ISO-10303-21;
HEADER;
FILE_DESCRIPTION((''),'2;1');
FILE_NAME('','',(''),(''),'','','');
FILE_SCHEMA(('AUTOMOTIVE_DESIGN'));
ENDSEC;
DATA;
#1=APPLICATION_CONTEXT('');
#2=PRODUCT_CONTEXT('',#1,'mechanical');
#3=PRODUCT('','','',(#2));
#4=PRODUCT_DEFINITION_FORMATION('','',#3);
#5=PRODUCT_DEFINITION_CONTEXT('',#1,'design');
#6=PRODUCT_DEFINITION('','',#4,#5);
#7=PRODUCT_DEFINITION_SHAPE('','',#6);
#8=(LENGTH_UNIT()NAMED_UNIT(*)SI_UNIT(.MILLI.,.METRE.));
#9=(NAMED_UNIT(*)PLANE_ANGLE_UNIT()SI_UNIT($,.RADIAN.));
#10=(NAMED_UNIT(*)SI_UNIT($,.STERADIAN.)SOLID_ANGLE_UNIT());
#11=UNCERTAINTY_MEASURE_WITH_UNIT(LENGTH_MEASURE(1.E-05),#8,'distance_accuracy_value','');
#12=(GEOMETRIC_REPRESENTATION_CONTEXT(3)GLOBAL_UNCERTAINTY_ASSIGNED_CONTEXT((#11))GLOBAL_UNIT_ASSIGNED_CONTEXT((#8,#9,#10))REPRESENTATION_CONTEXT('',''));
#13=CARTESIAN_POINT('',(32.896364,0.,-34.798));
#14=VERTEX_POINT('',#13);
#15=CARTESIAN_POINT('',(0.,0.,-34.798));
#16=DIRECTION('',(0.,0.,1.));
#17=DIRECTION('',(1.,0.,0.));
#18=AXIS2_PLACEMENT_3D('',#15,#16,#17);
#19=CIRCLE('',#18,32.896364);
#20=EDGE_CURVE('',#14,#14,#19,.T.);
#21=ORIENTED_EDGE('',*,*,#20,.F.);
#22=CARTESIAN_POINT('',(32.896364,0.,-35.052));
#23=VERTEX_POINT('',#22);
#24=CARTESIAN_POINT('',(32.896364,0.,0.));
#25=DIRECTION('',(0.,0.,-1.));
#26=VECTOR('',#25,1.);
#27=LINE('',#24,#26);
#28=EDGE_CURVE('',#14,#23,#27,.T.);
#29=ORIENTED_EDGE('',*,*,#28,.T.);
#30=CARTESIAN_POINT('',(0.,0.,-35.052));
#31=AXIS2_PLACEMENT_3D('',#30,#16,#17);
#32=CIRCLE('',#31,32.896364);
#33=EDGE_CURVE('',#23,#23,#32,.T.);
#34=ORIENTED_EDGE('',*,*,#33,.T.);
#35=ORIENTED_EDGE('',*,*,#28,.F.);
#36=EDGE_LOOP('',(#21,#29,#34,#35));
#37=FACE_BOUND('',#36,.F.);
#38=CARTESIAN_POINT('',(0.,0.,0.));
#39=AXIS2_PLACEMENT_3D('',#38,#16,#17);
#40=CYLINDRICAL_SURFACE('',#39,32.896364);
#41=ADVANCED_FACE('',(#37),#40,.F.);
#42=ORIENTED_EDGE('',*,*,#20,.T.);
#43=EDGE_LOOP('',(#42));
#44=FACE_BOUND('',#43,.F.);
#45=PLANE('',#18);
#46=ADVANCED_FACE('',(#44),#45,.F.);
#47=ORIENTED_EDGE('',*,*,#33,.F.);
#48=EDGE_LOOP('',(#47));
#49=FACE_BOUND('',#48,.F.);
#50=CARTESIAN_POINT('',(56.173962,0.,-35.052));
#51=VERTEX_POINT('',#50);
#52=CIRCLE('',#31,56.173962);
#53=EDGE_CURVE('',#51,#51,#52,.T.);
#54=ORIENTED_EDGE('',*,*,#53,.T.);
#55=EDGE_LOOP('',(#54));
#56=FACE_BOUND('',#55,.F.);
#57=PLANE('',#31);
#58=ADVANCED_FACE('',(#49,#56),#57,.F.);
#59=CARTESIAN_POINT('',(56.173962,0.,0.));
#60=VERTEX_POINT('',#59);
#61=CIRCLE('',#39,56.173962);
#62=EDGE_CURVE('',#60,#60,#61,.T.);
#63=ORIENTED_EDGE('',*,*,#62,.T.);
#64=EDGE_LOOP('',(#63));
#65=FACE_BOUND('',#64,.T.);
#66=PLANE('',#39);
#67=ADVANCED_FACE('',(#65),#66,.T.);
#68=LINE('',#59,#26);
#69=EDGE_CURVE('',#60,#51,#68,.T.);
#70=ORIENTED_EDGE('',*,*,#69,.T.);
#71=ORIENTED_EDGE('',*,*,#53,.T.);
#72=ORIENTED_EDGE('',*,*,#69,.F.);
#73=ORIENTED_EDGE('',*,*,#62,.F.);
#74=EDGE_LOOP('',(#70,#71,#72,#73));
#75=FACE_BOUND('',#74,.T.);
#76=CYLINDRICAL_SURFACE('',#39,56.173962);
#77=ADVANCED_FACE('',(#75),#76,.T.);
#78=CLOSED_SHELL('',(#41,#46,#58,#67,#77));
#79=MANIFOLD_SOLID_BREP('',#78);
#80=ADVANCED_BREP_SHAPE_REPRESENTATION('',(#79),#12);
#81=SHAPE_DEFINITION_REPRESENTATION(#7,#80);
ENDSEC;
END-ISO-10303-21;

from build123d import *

# Parameters (mm, degrees)
F0_R     = 56.1739618702
F0_R_2   = 32.8963638887
F1_DEPTH = 35.052
F2_DEPTH = 34.798
F0_R_3   = 4.9490742643
F3_DEPTH = 34.798


with BuildPart() as f1:
    # F0 (on Top) → F1 (new body)
    with BuildSketch(Plane.XY):
        Circle(F0_R)
        Circle(F0_R_2, mode=Mode.SUBTRACT)
    extrude(amount=-F1_DEPTH)

    # F0 (on Top) → F2 (join)
    with BuildSketch(Plane.XY):
        Circle(F0_R_2)
        Polygon((24.0832565908, 15.5113956786), (25.4748910012, -13.1010141742), (1.3916344104, -28.6124098528), (-24.0832565908, -15.5113956786), (-25.4748910012, 13.1010141742), (-1.3916344104, 28.6124098528), align=None, mode=Mode.SUBTRACT)
    extrude(amount=-F2_DEPTH)

    # F0 (on Top) → F3 (join)
    with BuildSketch(Plane.XY):
        Polygon((1.3916344104, -28.6124098528), (25.4748910012, -13.1010141742), (24.0832565908, 15.5113956786), (-1.3916344104, 28.6124098528), (-25.4748910012, 13.1010141742), (-24.0832565908, -15.5113956786), align=None)
        Polygon((24.0832565908, 0), (12.0416282954, -20.8567120135), (-12.0416282954, -20.8567120135), (-24.0832565908, 0), (-12.0416282954, 20.8567120135), (12.0416282954, 20.8567120135), align=None, mode=Mode.SUBTRACT)
        Polygon((-12.0416282954, -20.8567120135), (12.0416282954, -20.8567120135), (24.0832565908, 0), (12.0416282954, 20.8567120135), (-12.0416282954, 20.8567120135), (-24.0832565908, 0), align=None)
        Polygon((16.4439717338, 11.0949333309), (17.8304799848, -8.6934305952), (1.3865082509, -19.7883639261), (-16.4439717338, -11.0949333309), (-17.8304799848, 8.6934305952), (-1.3865082509, 19.7883639261), align=None, mode=Mode.SUBTRACT)
        Polygon((1.3865082509, -19.7883639261), (17.8304799848, -8.6934305952), (16.4439717338, 11.0949333309), (-1.3865082509, 19.7883639261), (-17.8304799848, 8.6934305952), (-16.4439717338, -11.0949333309), align=None)
        Polygon((15.2503329708, 0), (7.6251664854, -13.2071757689), (-7.6251664854, -13.2071757689), (-15.2503329708, 0), (-7.6251664854, 13.2071757689), (7.6251664854, 13.2071757689), align=None, mode=Mode.SUBTRACT)
        Polygon((-7.6251664854, -13.2071757689), (7.6251664854, -13.2071757689), (15.2503329708, 0), (7.6251664854, 13.2071757689), (-7.6251664854, 13.2071757689), (-15.2503329708, 0), align=None)
        Polygon((9.7878324796, 4.5358240732), (8.8220551142, -6.2085995387), (-0.9657773653, -10.7444236119), (-9.7878324796, -4.5358240732), (-8.8220551142, 6.2085995387), (0.9657773653, 10.7444236119), align=None, mode=Mode.SUBTRACT)
        Polygon((-0.9657773653, -10.7444236119), (8.8220551142, -6.2085995387), (9.7878324796, 4.5358240732), (0.9657773653, 10.7444236119), (-8.8220551142, 6.2085995387), (-9.7878324796, -4.5358240732), align=None)
        Circle(F0_R_3, mode=Mode.SUBTRACT)
        Circle(F0_R_3)
    extrude(amount=-F3_DEPTH)


solid = f1.part
